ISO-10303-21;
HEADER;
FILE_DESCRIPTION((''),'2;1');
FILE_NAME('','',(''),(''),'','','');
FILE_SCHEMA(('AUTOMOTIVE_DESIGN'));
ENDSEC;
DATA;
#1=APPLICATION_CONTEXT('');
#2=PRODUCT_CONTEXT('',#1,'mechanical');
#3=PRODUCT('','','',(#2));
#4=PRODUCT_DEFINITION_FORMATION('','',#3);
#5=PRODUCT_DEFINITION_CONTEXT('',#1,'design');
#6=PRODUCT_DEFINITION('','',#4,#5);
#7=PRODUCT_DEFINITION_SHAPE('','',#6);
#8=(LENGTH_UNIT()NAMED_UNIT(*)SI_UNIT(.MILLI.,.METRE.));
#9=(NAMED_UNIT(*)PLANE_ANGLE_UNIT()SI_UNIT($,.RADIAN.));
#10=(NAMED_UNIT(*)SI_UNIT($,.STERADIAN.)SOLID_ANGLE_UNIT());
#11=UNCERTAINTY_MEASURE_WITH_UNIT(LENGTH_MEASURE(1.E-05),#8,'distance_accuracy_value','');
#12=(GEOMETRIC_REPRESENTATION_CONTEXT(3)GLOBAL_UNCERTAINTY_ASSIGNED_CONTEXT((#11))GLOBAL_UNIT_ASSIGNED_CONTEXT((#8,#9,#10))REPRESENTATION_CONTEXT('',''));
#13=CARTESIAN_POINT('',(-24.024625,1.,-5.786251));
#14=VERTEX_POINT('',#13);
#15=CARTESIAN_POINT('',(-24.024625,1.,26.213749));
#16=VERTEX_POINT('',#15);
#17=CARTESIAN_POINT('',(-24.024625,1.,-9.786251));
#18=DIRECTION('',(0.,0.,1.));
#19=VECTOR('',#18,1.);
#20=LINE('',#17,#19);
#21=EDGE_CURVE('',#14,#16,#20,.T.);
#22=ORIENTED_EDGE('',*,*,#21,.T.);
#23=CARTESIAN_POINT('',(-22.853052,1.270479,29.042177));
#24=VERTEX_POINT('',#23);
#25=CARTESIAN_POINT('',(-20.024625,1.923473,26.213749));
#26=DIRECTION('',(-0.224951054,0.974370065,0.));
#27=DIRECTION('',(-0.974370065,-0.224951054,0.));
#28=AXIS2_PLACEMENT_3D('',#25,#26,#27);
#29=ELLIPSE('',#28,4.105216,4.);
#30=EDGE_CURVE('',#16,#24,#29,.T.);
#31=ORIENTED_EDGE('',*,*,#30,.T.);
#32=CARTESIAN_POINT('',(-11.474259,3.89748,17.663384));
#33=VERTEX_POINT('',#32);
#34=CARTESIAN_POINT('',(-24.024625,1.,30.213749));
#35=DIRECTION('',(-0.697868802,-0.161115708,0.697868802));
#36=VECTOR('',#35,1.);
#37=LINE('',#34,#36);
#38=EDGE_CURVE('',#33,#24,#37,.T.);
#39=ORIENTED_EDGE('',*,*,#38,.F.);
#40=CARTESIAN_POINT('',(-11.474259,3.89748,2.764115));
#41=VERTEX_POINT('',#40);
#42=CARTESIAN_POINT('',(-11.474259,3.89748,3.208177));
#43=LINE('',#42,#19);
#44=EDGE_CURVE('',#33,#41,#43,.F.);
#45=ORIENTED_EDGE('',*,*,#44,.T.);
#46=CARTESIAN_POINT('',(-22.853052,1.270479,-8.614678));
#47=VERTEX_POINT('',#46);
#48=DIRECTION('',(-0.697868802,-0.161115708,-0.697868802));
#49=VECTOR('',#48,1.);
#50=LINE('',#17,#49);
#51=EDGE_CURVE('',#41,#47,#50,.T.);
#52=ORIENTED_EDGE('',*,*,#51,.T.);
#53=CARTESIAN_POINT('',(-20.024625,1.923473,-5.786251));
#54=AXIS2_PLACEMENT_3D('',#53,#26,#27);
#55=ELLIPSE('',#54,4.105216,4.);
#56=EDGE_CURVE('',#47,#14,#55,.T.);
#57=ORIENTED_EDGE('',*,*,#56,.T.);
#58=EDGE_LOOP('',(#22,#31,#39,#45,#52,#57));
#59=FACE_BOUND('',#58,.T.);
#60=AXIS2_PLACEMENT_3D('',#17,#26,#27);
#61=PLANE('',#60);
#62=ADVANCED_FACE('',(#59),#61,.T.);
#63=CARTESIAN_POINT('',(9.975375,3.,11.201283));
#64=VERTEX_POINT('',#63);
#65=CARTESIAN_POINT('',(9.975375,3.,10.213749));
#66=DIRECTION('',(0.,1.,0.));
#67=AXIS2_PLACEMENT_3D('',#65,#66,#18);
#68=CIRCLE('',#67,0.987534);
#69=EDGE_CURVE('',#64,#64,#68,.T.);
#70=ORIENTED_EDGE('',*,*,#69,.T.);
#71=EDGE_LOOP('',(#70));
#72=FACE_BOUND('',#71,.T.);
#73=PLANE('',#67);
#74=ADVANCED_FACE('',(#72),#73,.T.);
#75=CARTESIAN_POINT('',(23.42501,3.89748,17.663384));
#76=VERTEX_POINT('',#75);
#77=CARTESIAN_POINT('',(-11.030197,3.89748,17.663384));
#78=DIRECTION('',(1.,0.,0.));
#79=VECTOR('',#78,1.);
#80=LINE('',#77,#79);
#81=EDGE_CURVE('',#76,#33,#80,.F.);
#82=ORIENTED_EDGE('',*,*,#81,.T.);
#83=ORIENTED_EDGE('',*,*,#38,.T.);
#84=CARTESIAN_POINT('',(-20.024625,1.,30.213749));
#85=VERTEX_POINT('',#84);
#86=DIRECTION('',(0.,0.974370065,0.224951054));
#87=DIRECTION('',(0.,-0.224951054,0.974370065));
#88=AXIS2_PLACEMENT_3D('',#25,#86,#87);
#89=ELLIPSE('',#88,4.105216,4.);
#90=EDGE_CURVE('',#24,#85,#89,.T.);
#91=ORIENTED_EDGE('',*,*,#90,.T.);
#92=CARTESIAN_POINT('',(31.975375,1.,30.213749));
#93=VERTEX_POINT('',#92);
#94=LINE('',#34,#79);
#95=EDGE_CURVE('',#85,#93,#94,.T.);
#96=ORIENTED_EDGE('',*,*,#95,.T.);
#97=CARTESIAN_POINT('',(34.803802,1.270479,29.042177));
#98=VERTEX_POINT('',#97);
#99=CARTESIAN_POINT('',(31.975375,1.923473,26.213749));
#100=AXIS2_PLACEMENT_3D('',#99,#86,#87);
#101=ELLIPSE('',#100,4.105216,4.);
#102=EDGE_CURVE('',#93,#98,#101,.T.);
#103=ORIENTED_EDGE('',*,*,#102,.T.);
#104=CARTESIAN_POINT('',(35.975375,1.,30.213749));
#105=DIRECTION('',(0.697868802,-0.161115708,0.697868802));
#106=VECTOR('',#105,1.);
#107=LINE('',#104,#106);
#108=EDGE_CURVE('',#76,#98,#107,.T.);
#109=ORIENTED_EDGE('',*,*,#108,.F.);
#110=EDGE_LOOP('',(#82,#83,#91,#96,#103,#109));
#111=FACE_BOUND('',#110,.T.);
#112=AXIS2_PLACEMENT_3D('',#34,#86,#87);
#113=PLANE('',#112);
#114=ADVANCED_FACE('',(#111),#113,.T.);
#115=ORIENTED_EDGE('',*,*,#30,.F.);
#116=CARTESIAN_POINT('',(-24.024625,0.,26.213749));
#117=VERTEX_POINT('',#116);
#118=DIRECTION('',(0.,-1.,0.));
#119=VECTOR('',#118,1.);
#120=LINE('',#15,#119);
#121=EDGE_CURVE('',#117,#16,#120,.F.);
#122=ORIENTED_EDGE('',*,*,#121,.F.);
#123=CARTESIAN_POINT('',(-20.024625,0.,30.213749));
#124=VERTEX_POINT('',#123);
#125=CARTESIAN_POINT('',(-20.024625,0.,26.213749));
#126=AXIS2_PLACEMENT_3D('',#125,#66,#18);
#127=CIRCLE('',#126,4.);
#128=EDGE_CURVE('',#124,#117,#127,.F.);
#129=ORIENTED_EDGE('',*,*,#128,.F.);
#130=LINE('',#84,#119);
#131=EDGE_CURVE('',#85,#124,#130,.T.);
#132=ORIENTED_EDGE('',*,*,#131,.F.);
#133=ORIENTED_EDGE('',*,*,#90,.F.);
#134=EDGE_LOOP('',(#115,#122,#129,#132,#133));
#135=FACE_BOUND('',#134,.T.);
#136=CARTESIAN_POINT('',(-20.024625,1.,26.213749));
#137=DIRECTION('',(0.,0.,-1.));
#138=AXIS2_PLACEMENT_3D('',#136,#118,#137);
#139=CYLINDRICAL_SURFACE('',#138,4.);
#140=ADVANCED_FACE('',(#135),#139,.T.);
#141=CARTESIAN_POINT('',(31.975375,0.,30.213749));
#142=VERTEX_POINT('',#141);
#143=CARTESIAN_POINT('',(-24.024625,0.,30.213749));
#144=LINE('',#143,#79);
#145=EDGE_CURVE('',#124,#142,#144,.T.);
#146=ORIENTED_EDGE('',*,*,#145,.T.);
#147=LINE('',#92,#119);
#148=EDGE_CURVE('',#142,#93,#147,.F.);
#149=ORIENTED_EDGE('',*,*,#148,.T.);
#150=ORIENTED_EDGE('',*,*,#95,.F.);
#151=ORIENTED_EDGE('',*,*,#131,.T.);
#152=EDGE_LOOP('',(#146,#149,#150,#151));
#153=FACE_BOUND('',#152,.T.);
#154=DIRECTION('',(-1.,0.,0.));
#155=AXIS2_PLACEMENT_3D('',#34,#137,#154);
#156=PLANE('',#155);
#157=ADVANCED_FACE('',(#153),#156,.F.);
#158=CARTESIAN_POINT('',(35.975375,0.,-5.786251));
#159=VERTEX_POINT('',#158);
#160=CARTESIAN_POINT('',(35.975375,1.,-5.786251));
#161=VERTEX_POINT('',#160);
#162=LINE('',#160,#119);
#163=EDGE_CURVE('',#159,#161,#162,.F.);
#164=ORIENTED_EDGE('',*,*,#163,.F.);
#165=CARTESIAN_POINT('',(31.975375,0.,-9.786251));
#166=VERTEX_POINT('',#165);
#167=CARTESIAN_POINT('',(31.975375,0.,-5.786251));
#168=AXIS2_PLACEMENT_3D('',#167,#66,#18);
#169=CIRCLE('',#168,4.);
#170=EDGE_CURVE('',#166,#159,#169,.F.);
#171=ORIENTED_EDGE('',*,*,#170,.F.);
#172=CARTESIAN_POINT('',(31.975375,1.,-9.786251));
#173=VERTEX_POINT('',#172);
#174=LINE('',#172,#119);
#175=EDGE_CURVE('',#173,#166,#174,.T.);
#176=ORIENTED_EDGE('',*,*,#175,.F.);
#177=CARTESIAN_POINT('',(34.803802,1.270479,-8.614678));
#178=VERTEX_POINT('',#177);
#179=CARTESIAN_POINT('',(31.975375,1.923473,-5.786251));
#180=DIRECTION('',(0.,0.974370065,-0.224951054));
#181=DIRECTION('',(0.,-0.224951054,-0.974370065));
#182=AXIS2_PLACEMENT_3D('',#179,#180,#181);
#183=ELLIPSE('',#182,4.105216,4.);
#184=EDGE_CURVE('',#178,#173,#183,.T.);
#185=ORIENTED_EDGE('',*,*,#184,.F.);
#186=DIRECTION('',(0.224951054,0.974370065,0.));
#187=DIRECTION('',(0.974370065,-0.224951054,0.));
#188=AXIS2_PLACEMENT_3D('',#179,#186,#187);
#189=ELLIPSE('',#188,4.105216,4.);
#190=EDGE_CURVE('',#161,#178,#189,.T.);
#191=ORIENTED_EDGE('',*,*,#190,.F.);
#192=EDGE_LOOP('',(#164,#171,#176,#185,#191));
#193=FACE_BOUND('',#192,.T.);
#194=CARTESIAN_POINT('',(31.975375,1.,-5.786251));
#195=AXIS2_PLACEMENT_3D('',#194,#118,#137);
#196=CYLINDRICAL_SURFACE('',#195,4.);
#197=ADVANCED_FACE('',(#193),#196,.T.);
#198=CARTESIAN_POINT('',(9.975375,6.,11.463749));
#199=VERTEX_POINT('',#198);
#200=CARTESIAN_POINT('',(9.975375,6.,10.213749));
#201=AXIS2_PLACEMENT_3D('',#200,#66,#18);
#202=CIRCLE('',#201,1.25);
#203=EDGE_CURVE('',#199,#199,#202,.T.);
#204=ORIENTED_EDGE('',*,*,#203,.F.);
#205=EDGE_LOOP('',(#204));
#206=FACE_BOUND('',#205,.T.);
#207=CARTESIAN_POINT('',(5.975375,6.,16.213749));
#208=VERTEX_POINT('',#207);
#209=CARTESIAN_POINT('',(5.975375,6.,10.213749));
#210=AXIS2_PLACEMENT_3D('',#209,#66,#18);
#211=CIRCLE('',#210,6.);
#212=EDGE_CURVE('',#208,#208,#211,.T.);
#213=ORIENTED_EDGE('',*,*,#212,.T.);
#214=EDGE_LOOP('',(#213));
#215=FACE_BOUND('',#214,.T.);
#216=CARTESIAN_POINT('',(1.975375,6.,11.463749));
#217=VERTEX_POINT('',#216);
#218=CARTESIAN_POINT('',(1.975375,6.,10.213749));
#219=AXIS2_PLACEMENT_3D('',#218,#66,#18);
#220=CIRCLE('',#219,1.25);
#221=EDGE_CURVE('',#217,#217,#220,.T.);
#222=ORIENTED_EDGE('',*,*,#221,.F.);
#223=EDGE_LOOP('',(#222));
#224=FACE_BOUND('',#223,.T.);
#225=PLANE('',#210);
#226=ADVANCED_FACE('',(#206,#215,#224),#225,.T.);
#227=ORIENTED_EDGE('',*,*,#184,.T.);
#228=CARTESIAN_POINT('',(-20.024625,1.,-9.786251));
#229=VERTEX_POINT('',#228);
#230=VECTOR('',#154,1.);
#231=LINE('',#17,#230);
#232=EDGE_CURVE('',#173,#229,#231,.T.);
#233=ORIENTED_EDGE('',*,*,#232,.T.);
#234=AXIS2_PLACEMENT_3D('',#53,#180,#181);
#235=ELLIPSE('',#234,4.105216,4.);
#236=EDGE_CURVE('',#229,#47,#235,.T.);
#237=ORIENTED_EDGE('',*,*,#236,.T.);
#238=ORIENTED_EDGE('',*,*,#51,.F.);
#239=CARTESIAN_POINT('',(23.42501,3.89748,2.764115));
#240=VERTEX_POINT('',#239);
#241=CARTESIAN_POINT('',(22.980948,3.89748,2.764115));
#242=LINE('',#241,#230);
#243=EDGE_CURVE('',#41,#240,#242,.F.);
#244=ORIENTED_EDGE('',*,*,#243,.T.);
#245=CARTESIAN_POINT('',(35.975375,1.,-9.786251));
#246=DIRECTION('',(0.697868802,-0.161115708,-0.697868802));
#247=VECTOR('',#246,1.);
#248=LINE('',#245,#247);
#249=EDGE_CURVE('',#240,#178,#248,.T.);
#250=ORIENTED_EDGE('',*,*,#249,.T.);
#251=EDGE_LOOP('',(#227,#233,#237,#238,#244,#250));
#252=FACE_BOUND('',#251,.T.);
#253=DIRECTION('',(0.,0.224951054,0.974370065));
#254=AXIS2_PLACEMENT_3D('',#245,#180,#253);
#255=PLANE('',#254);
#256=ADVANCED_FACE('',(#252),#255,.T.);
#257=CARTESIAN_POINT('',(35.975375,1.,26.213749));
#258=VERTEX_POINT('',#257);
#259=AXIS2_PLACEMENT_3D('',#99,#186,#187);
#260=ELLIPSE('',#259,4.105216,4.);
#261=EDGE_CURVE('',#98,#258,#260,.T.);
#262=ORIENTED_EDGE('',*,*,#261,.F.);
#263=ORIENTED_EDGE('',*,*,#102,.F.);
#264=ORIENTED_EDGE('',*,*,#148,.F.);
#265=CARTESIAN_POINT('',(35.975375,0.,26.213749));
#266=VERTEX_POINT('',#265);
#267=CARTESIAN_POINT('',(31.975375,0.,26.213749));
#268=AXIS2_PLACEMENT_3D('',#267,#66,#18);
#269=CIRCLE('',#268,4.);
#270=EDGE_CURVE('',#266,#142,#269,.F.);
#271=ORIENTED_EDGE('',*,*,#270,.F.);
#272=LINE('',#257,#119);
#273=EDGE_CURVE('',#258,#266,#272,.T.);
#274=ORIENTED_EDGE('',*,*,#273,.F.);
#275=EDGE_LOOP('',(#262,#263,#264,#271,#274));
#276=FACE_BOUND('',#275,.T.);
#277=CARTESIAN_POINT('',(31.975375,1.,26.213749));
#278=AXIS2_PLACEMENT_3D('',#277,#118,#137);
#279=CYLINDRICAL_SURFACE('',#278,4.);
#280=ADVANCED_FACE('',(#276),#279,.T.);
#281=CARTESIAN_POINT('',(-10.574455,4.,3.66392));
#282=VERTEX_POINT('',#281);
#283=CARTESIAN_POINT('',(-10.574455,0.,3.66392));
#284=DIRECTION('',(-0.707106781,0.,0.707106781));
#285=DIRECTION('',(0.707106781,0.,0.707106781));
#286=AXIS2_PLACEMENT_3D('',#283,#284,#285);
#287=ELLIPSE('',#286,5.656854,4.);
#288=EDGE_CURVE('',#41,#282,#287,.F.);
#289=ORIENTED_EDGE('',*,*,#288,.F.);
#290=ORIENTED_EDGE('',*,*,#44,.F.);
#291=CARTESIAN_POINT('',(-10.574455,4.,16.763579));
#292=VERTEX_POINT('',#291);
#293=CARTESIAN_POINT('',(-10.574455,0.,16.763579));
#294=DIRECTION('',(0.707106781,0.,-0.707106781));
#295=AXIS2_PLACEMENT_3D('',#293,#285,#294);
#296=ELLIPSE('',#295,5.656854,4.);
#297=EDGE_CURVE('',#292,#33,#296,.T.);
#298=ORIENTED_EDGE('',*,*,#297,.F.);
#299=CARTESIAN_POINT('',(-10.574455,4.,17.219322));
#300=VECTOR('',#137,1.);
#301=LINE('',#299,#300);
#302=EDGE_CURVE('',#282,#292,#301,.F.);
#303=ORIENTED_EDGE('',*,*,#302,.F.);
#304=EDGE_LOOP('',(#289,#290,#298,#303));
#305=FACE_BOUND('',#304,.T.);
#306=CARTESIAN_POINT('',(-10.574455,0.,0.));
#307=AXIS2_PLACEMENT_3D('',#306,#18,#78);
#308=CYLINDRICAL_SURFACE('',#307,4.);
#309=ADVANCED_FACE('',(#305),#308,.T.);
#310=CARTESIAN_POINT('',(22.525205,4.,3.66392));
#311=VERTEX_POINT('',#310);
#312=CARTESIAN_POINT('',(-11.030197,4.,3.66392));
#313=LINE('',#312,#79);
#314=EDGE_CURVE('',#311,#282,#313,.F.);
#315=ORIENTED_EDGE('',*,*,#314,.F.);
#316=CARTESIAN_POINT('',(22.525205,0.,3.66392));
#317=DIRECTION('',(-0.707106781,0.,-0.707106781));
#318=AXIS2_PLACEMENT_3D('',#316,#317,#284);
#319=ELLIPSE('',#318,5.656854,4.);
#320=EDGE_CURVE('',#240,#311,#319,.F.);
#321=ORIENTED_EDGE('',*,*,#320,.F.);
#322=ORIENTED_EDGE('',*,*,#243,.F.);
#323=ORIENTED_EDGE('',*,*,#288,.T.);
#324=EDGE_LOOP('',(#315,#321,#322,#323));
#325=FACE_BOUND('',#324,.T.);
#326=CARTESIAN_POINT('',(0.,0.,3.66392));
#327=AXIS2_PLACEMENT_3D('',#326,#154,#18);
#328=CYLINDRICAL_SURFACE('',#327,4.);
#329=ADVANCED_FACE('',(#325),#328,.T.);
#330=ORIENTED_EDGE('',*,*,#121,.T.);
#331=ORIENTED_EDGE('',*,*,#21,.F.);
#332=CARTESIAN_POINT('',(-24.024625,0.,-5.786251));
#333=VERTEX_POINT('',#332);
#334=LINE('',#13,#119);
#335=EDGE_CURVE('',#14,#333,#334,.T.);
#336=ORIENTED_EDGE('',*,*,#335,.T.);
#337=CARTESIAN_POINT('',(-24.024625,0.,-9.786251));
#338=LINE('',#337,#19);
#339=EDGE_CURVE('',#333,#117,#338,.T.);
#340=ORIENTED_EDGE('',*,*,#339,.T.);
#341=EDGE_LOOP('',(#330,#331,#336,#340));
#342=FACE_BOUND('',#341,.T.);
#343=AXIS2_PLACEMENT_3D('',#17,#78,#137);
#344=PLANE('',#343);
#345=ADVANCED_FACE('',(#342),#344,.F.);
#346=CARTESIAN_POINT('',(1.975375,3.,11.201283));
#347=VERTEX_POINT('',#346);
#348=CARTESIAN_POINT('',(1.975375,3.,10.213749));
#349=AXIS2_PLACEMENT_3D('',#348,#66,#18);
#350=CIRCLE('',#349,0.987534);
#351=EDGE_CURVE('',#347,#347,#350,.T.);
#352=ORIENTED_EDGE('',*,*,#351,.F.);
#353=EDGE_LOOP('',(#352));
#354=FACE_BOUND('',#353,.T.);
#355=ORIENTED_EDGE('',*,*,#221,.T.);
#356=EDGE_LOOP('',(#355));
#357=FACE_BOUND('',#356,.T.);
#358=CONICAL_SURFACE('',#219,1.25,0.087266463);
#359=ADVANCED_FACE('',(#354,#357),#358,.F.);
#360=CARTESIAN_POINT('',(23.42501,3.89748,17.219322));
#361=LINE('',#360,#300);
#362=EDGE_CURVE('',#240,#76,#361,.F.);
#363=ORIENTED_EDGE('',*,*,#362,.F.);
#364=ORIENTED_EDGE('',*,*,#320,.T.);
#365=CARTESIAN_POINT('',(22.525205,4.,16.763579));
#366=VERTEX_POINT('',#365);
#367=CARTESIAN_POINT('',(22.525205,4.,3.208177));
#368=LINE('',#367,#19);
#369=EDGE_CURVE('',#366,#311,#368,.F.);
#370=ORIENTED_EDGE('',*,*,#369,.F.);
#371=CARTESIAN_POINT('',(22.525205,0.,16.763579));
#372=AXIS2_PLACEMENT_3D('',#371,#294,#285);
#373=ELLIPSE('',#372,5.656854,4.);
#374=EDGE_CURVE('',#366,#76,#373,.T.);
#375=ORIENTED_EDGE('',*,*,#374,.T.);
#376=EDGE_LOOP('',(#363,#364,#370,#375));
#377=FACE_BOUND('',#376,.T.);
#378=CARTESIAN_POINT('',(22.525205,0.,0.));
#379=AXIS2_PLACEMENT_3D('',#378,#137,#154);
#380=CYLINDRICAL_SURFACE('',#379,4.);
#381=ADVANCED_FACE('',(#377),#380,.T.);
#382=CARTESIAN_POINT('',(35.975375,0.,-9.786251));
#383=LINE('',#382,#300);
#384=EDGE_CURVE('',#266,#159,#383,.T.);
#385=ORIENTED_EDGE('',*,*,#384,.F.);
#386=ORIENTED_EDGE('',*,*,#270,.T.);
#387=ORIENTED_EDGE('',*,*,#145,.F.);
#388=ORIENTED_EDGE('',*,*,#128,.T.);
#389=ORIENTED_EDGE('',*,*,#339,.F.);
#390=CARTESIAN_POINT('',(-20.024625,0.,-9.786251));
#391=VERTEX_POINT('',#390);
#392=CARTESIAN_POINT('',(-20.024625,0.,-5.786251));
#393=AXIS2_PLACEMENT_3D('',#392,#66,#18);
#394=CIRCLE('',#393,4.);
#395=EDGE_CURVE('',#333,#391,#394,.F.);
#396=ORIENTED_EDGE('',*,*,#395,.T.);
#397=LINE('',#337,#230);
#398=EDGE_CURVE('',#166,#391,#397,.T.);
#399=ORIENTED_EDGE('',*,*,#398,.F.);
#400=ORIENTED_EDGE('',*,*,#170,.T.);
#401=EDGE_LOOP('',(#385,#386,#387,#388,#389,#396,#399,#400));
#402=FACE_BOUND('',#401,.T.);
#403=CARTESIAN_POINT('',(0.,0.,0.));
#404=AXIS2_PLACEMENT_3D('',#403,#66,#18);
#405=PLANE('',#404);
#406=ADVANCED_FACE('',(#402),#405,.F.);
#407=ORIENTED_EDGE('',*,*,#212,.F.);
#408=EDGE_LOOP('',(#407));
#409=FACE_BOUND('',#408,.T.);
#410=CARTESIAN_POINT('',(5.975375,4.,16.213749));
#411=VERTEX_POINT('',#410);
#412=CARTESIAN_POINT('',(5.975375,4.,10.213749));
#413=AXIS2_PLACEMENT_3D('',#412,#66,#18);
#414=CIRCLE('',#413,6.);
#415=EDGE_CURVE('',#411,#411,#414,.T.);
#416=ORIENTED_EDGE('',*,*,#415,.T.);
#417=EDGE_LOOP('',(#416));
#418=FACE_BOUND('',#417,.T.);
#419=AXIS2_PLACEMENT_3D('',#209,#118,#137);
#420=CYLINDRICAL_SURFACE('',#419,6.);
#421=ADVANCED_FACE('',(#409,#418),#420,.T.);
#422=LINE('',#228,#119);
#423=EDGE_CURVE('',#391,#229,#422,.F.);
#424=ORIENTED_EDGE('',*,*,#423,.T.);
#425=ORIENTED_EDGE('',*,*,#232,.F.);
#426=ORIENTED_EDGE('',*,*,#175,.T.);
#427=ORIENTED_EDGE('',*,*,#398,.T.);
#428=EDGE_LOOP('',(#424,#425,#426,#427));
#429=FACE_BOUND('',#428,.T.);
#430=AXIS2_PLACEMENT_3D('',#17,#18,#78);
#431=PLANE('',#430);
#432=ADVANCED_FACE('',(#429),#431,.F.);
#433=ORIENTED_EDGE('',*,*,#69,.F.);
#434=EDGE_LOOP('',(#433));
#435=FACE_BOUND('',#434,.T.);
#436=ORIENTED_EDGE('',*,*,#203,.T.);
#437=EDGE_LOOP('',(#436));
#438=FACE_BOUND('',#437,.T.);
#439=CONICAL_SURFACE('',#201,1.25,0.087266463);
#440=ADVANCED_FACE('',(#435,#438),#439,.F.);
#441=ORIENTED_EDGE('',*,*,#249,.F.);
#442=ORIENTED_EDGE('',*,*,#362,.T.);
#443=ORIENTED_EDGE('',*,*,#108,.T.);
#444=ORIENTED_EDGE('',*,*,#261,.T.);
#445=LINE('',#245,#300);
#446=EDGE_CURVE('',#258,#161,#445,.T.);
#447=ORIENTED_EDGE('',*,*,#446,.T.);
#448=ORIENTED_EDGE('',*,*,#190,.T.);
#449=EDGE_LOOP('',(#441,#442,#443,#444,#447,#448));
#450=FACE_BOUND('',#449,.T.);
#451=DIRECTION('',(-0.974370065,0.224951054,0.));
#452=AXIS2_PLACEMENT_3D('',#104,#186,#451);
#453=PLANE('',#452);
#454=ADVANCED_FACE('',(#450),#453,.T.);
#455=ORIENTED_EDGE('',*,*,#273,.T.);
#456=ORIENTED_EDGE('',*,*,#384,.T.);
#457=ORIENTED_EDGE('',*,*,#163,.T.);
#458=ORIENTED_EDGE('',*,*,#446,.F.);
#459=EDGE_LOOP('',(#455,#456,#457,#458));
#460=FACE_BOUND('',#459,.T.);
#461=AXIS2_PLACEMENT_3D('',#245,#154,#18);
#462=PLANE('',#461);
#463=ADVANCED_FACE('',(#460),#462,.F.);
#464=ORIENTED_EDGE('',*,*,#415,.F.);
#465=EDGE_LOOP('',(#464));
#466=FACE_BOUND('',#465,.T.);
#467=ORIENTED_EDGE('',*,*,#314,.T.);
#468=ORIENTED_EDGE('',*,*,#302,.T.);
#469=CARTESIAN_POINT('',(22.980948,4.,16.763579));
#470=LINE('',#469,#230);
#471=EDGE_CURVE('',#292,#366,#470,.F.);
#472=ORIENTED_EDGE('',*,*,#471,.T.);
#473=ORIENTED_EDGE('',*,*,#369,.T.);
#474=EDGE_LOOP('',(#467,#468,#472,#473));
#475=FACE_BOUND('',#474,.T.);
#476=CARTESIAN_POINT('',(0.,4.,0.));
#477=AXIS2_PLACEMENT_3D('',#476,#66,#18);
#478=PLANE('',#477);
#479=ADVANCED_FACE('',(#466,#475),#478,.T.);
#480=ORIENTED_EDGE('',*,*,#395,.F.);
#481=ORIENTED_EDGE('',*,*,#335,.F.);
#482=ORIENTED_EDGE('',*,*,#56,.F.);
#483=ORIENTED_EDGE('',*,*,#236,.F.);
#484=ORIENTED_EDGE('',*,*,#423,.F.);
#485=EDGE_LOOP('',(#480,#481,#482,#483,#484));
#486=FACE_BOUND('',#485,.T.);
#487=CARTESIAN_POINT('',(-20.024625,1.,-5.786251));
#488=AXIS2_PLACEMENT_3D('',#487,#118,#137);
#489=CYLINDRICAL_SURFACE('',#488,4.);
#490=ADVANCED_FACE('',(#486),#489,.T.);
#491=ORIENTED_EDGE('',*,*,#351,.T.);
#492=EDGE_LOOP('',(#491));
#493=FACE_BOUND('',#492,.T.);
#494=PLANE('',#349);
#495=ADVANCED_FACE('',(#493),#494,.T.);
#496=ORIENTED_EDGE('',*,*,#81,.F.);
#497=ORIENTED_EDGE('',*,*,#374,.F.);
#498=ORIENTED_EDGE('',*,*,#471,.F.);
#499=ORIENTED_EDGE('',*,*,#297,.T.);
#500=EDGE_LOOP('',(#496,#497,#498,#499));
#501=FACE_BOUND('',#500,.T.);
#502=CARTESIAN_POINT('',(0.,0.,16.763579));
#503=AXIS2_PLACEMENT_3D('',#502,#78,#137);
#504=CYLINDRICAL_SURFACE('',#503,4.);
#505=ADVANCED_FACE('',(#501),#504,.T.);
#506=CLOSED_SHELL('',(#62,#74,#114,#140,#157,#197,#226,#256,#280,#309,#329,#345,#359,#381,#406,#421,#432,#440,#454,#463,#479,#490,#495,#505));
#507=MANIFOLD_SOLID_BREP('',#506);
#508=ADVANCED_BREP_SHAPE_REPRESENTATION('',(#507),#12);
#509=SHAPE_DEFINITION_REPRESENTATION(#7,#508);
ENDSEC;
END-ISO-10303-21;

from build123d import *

# Parameters (mm, degrees)
SKETCH_1_W          = 60
SKETCH_1_H          = 40
EXTRUDE_1_DEPTH     = 1
SKETCH_2_W          = 60
SKETCH_2_H          = 40
EXTRUDE_2_DEPTH     = 3
EXTRUDE_2_TAPER     = 77
FILLET_1_R          = 4
SKETCH_3_R          = 6
EXTRUDE_3_DEPTH     = 2
FILLET_2_R          = 4
SKETCH_4_R          = 1.25
CUT_EXTRUDE_1_DEPTH = 3
CUT_EXTRUDE_1_TAPER = 5


with BuildPart() as part:
    # 草图1 → 凸台-拉伸1 (new body)
    with BuildSketch(Plane(origin=(0, 0, 0), x_dir=(1, 0, 0), z_dir=(0, 1, 0))):
        with Locations((5.975375352, -10.213749482)):
            Rectangle(SKETCH_1_W, SKETCH_1_H)
    extrude(amount=EXTRUDE_1_DEPTH)

    # 草图2 → 凸台-拉伸2 (add)
    with BuildSketch(Plane(origin=(0, 1, 0), x_dir=(1, 0, 0), z_dir=(0, 1, 0))):
        with Locations((5.975375352, -10.213749482)):
            Rectangle(SKETCH_2_W, SKETCH_2_H)
    extrude(amount=EXTRUDE_2_DEPTH, taper=EXTRUDE_2_TAPER)

    # 圆角1
    fillet_1_edges = [part.edges().sort_by_distance(p)[0] for p in [
        (35.975375352, 0.5, 30.213749482),
        (-24.024624648, 0.5, 30.213749482),
        (-24.024624648, 0.5, -9.786250518),
        (35.975375352, 0.5, -9.786250518),
    ]]
    fillet(fillet_1_edges, radius=FILLET_1_R)

    # 草图3 → 凸台-拉伸3 (add)
    with BuildSketch(Plane(origin=(0, 4, 0), x_dir=(1, 0, 0), z_dir=(0, 1, 0))):
        with Locations((5.975375352, -10.213749482)):
            Circle(SKETCH_3_R)
    extrude(amount=EXTRUDE_3_DEPTH)

    # 圆角2
    fillet_2_edges = [part.edges().sort_by_distance(p)[0] for p in [
        (5.975375352, 4, 17.219321859),
        (22.980947729, 4, 10.213749482),
        (5.975375352, 4, 3.208177105),
        (-11.030197026, 4, 10.213749482),
    ]]
    fillet(fillet_2_edges, radius=FILLET_2_R)

    # 草图4 → 切除-拉伸1 (cut)
    with BuildSketch(Plane(origin=(0, 6, 0), x_dir=(1, 0, 0), z_dir=(0, 1, 0))):
        with Locations((1.975375352, -10.213749482)):
            Circle(SKETCH_4_R)
        with Locations((9.975375352, -10.213749482)):
            Circle(SKETCH_4_R)
    extrude(amount=-CUT_EXTRUDE_1_DEPTH, taper=CUT_EXTRUDE_1_TAPER, mode=Mode.SUBTRACT)


solid = part.part
